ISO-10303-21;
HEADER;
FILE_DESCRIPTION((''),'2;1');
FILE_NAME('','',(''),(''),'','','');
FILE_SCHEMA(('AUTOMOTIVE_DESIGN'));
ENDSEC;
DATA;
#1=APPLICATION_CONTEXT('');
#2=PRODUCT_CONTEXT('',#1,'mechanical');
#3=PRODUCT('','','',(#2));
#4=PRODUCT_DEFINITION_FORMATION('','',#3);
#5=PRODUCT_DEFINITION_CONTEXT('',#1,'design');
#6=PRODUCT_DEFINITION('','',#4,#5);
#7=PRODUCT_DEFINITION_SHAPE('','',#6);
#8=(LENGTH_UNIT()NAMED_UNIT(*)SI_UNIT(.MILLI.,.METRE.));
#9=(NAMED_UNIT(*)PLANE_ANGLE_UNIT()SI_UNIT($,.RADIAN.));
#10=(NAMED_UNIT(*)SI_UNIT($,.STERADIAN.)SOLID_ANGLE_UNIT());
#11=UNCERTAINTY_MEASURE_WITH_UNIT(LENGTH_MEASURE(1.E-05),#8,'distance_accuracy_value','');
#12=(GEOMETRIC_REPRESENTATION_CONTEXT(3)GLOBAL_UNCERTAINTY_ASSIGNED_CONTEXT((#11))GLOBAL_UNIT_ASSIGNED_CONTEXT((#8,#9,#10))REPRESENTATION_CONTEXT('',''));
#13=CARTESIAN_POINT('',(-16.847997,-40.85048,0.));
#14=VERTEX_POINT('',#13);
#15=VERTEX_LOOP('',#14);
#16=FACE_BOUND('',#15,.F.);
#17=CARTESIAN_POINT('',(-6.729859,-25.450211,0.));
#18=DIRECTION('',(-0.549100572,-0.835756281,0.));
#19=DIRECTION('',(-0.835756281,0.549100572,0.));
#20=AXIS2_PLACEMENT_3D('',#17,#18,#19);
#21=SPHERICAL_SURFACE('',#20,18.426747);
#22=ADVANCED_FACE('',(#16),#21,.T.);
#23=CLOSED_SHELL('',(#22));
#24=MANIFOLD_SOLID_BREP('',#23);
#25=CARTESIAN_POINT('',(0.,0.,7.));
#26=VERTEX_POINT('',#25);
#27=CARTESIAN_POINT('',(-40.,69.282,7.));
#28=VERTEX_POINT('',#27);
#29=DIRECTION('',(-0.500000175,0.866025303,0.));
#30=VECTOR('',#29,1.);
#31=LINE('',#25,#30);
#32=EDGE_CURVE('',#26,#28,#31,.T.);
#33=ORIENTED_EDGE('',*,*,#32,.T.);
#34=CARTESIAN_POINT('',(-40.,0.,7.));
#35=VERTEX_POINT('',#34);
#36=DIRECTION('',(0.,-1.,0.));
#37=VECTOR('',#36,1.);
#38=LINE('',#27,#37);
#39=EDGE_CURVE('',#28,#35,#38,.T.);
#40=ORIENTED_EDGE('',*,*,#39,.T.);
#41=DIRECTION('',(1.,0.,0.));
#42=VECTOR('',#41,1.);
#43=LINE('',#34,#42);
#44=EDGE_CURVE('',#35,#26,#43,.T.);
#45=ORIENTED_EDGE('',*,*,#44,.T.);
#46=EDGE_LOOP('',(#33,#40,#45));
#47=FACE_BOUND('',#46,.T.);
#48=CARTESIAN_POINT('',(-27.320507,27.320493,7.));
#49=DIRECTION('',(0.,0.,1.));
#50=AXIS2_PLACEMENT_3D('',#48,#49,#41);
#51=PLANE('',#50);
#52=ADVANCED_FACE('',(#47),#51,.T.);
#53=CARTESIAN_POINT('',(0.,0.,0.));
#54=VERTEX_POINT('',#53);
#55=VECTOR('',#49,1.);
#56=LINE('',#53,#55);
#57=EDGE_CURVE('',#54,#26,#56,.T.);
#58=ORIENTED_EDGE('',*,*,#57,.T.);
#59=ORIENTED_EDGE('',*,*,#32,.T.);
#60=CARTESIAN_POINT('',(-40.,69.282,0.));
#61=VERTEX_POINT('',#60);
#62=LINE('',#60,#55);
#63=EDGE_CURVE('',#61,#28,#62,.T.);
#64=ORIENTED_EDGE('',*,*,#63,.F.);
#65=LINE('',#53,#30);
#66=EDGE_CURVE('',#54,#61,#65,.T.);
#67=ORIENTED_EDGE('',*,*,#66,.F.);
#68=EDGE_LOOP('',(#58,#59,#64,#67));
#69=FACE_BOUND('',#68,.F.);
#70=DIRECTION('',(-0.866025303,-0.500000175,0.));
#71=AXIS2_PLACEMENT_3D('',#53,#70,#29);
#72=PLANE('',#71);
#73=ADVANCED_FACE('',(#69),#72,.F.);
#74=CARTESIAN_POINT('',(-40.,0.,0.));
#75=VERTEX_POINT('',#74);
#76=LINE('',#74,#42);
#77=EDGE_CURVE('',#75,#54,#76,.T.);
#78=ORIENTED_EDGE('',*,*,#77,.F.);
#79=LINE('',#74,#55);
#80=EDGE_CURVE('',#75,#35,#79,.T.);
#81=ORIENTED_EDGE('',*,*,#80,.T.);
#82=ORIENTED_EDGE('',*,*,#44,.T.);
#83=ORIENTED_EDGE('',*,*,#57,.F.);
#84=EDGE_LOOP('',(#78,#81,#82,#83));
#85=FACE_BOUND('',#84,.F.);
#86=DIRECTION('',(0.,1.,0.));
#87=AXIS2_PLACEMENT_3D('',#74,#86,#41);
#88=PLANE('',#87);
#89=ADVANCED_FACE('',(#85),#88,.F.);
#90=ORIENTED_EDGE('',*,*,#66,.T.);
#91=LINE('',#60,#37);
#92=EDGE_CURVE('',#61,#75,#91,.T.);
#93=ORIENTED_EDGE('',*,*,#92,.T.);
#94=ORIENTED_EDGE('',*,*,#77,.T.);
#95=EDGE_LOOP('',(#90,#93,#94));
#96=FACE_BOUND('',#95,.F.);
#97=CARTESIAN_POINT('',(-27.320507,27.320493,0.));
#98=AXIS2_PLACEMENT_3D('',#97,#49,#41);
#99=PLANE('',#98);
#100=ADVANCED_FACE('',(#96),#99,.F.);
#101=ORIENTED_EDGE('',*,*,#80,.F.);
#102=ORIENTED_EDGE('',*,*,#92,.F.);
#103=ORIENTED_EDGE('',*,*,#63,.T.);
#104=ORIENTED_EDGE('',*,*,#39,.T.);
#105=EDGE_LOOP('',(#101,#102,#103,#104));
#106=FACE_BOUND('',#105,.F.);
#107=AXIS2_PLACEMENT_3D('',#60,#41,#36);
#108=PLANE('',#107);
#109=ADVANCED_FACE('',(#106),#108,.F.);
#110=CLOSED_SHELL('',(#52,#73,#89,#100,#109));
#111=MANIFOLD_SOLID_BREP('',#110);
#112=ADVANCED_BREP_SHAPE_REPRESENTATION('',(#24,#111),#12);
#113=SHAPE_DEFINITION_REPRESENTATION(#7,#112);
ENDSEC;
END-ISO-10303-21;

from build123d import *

# Parameters (mm, degrees)
F1_DEPTH = 7


with BuildPart() as f1:
    # F0 (on Top) → F1 (new body)
    with BuildSketch(Plane.XY):
        Polygon((-40, 69.282), (-40, 0), (0, 0), align=None)
    extrude(amount=F1_DEPTH)


with BuildPart() as f3:
    # F2 (on Top) → F3 (revolve)
    with BuildSketch(Plane.XY):
        with BuildLine():
            ThreePointArc((3.3882777593, -10.0499417132), (-22.1301286982, -15.3320738659), (-16.8479965455, -40.8504803235))
            Line((-16.8479965455, -40.8504803235), (3.3882777593, -10.0499417132))
        make_face()
    revolve(axis=Axis((-6.7298593931, -25.4502110183, 0), (0.5491005718, 0.8357562815, 0)))


solid = Compound([f1.part, f3.part])
